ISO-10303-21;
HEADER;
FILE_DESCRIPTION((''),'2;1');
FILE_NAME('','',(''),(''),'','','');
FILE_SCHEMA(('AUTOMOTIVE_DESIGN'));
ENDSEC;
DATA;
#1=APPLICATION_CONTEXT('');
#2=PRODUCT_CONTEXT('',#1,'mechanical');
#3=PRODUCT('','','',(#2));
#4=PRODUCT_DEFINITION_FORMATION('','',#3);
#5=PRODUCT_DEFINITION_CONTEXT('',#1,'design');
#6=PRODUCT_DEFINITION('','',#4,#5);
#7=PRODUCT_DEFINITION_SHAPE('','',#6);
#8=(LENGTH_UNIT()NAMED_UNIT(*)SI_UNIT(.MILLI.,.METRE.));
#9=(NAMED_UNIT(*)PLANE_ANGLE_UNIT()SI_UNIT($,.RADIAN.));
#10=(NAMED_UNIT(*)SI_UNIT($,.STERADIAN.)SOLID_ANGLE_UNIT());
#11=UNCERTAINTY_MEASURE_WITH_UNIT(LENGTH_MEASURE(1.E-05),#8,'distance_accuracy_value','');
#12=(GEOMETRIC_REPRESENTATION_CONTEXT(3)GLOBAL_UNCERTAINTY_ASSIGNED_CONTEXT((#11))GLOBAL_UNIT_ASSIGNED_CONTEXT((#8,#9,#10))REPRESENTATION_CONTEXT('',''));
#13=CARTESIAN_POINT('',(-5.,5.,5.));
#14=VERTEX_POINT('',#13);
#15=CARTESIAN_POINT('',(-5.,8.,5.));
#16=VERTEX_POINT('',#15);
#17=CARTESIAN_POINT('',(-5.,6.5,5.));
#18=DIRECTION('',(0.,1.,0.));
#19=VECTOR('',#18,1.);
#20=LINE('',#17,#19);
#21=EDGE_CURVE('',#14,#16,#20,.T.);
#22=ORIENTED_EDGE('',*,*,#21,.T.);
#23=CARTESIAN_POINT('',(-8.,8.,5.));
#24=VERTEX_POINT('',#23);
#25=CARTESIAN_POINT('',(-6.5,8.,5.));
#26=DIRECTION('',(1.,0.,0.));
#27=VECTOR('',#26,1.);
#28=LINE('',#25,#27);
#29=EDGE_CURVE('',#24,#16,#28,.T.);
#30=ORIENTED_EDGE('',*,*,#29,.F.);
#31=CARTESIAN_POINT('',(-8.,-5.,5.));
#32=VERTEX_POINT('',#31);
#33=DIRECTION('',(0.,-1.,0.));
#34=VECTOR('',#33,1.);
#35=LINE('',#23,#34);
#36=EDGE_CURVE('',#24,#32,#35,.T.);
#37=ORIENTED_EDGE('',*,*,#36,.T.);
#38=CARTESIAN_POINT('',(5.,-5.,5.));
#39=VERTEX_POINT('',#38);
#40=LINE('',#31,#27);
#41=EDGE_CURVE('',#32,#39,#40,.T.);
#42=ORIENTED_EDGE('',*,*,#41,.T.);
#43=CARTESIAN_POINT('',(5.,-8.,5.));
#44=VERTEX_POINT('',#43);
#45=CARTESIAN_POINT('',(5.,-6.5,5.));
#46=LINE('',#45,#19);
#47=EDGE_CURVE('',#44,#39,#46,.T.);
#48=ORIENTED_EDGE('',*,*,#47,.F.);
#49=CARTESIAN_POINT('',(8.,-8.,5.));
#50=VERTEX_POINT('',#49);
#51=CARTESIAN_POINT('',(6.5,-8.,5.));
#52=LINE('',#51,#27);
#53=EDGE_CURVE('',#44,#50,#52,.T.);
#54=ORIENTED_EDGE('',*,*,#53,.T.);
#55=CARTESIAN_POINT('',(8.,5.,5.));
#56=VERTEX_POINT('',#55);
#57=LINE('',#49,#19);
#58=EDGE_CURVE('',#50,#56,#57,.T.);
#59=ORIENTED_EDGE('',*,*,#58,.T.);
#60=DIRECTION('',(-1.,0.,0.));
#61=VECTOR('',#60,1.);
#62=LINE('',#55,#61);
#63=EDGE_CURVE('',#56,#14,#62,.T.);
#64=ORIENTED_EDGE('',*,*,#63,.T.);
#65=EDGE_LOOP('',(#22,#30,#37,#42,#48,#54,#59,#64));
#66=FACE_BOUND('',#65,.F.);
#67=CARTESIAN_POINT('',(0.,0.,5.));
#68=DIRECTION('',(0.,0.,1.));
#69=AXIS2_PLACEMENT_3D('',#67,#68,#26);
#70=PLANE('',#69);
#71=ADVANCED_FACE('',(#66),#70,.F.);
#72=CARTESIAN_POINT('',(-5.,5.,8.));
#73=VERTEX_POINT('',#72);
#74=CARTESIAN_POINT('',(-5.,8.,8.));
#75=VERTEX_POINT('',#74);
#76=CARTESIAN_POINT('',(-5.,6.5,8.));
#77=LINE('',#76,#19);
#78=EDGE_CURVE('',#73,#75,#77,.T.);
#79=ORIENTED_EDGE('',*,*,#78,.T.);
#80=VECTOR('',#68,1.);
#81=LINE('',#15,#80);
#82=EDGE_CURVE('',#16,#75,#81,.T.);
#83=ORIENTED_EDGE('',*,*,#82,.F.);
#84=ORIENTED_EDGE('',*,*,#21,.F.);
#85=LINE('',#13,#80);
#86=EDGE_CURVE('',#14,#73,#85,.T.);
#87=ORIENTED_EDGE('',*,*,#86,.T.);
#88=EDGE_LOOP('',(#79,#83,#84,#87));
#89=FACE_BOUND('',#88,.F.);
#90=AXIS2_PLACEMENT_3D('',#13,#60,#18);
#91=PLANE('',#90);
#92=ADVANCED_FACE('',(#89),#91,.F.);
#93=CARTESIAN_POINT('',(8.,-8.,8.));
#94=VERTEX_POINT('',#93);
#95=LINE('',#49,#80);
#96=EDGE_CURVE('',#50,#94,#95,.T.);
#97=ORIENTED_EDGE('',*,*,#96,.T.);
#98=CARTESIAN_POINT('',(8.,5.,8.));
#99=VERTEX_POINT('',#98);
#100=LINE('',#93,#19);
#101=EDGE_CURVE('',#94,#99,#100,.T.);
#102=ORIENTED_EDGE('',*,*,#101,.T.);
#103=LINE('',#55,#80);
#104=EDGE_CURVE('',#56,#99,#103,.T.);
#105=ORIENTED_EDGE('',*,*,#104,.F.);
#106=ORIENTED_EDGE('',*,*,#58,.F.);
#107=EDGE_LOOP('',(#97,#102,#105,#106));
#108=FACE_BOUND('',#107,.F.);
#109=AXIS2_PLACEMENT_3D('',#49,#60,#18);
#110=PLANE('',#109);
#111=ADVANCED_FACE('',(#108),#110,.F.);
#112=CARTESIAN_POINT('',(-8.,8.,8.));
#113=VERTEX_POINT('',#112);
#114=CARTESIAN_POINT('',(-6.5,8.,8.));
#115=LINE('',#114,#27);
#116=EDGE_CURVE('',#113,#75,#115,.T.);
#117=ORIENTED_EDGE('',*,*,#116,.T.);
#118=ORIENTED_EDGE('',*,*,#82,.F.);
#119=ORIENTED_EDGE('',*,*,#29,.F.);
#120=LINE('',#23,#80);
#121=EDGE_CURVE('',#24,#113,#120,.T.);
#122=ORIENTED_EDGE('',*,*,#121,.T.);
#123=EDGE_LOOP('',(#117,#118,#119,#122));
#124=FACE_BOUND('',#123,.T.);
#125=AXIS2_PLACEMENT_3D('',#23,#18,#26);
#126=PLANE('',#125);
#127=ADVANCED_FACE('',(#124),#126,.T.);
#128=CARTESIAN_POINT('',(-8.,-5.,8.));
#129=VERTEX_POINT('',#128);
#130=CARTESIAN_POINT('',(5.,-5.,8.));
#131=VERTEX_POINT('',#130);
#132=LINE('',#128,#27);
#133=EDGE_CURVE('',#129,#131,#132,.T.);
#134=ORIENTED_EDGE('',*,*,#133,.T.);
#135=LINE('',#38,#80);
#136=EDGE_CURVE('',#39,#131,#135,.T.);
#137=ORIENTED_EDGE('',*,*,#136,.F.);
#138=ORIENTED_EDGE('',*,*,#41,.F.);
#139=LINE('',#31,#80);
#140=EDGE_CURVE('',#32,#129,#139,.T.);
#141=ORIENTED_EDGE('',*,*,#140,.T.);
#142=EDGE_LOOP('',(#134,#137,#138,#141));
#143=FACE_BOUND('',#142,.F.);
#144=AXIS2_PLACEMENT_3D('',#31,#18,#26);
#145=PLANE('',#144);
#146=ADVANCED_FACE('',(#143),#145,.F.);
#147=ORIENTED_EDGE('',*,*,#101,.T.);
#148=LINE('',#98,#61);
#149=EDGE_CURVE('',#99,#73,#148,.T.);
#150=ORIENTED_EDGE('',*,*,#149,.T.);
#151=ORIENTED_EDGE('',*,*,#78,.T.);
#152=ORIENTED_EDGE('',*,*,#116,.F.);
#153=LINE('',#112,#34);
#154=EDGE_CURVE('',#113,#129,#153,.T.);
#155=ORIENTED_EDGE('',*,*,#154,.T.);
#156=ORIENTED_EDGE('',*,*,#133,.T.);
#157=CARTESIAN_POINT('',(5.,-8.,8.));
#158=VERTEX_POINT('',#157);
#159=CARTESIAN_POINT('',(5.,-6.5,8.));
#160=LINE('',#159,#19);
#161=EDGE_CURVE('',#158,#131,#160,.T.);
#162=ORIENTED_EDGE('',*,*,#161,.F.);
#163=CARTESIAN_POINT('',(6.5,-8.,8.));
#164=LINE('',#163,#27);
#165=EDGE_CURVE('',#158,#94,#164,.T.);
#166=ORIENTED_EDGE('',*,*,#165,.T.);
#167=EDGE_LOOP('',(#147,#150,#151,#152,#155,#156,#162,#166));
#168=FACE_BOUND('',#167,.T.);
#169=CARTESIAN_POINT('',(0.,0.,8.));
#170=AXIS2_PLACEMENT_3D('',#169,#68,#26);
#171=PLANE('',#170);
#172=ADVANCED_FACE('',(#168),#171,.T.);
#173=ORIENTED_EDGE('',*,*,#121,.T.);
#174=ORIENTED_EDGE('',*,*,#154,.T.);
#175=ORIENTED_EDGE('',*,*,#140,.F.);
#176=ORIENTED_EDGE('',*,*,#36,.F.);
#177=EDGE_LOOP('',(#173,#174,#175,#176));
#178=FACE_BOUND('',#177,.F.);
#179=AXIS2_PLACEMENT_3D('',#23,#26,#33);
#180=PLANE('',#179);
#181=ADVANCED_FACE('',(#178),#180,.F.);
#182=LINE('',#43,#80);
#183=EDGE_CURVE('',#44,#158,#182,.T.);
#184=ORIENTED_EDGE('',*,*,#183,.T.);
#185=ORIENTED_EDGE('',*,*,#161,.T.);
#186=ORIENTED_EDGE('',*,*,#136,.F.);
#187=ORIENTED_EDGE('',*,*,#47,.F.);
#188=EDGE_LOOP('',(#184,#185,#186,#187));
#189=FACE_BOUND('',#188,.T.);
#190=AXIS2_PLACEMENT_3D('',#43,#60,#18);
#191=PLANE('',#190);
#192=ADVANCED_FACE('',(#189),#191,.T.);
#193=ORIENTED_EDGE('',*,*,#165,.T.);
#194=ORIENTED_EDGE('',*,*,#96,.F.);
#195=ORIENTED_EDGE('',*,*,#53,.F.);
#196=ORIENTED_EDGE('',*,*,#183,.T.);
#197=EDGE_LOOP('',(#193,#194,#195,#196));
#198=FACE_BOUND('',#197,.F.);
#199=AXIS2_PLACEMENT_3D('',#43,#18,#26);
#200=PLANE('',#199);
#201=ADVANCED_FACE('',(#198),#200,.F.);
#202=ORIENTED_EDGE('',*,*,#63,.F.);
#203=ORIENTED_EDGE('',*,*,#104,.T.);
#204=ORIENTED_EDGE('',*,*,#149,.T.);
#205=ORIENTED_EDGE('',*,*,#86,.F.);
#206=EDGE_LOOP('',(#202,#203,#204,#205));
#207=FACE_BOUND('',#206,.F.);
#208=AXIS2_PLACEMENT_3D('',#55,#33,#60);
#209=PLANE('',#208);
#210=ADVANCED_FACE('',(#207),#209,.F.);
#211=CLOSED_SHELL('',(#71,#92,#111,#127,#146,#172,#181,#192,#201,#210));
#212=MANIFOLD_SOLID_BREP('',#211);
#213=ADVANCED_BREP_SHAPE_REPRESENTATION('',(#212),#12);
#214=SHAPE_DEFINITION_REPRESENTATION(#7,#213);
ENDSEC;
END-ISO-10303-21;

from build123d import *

# Parameters (mm, degrees)
F3_W     = 3
F3_H     = 5
F3_H_2   = 3
F4_DEPTH = 3


with BuildPart() as f4:
    # F3 (on face) → F4 (new body)
    with BuildSketch(Plane.XY.offset(5)):
        Polygon((-5, 0), (-5, -5), (0, -5), (5, -5), (5, 0), (5, 5), (0, 5), (-5, 5), align=None)
        with Locations((-6.5, 2.5)):
            Rectangle(F3_W, F3_H)
        with Locations((-6.5, 6.5)):
            Rectangle(F3_W, F3_H_2)
        with Locations((6.5, -2.5)):
            Rectangle(F3_W, F3_H)
        with Locations((6.5, -6.5)):
            Rectangle(F3_W, F3_H_2)
        with Locations((-6.5, -2.5)):
            Rectangle(F3_W, F3_H)
        with Locations((6.5, 2.5)):
            Rectangle(F3_W, F3_H)
    extrude(amount=F4_DEPTH)


solid = f4.part
